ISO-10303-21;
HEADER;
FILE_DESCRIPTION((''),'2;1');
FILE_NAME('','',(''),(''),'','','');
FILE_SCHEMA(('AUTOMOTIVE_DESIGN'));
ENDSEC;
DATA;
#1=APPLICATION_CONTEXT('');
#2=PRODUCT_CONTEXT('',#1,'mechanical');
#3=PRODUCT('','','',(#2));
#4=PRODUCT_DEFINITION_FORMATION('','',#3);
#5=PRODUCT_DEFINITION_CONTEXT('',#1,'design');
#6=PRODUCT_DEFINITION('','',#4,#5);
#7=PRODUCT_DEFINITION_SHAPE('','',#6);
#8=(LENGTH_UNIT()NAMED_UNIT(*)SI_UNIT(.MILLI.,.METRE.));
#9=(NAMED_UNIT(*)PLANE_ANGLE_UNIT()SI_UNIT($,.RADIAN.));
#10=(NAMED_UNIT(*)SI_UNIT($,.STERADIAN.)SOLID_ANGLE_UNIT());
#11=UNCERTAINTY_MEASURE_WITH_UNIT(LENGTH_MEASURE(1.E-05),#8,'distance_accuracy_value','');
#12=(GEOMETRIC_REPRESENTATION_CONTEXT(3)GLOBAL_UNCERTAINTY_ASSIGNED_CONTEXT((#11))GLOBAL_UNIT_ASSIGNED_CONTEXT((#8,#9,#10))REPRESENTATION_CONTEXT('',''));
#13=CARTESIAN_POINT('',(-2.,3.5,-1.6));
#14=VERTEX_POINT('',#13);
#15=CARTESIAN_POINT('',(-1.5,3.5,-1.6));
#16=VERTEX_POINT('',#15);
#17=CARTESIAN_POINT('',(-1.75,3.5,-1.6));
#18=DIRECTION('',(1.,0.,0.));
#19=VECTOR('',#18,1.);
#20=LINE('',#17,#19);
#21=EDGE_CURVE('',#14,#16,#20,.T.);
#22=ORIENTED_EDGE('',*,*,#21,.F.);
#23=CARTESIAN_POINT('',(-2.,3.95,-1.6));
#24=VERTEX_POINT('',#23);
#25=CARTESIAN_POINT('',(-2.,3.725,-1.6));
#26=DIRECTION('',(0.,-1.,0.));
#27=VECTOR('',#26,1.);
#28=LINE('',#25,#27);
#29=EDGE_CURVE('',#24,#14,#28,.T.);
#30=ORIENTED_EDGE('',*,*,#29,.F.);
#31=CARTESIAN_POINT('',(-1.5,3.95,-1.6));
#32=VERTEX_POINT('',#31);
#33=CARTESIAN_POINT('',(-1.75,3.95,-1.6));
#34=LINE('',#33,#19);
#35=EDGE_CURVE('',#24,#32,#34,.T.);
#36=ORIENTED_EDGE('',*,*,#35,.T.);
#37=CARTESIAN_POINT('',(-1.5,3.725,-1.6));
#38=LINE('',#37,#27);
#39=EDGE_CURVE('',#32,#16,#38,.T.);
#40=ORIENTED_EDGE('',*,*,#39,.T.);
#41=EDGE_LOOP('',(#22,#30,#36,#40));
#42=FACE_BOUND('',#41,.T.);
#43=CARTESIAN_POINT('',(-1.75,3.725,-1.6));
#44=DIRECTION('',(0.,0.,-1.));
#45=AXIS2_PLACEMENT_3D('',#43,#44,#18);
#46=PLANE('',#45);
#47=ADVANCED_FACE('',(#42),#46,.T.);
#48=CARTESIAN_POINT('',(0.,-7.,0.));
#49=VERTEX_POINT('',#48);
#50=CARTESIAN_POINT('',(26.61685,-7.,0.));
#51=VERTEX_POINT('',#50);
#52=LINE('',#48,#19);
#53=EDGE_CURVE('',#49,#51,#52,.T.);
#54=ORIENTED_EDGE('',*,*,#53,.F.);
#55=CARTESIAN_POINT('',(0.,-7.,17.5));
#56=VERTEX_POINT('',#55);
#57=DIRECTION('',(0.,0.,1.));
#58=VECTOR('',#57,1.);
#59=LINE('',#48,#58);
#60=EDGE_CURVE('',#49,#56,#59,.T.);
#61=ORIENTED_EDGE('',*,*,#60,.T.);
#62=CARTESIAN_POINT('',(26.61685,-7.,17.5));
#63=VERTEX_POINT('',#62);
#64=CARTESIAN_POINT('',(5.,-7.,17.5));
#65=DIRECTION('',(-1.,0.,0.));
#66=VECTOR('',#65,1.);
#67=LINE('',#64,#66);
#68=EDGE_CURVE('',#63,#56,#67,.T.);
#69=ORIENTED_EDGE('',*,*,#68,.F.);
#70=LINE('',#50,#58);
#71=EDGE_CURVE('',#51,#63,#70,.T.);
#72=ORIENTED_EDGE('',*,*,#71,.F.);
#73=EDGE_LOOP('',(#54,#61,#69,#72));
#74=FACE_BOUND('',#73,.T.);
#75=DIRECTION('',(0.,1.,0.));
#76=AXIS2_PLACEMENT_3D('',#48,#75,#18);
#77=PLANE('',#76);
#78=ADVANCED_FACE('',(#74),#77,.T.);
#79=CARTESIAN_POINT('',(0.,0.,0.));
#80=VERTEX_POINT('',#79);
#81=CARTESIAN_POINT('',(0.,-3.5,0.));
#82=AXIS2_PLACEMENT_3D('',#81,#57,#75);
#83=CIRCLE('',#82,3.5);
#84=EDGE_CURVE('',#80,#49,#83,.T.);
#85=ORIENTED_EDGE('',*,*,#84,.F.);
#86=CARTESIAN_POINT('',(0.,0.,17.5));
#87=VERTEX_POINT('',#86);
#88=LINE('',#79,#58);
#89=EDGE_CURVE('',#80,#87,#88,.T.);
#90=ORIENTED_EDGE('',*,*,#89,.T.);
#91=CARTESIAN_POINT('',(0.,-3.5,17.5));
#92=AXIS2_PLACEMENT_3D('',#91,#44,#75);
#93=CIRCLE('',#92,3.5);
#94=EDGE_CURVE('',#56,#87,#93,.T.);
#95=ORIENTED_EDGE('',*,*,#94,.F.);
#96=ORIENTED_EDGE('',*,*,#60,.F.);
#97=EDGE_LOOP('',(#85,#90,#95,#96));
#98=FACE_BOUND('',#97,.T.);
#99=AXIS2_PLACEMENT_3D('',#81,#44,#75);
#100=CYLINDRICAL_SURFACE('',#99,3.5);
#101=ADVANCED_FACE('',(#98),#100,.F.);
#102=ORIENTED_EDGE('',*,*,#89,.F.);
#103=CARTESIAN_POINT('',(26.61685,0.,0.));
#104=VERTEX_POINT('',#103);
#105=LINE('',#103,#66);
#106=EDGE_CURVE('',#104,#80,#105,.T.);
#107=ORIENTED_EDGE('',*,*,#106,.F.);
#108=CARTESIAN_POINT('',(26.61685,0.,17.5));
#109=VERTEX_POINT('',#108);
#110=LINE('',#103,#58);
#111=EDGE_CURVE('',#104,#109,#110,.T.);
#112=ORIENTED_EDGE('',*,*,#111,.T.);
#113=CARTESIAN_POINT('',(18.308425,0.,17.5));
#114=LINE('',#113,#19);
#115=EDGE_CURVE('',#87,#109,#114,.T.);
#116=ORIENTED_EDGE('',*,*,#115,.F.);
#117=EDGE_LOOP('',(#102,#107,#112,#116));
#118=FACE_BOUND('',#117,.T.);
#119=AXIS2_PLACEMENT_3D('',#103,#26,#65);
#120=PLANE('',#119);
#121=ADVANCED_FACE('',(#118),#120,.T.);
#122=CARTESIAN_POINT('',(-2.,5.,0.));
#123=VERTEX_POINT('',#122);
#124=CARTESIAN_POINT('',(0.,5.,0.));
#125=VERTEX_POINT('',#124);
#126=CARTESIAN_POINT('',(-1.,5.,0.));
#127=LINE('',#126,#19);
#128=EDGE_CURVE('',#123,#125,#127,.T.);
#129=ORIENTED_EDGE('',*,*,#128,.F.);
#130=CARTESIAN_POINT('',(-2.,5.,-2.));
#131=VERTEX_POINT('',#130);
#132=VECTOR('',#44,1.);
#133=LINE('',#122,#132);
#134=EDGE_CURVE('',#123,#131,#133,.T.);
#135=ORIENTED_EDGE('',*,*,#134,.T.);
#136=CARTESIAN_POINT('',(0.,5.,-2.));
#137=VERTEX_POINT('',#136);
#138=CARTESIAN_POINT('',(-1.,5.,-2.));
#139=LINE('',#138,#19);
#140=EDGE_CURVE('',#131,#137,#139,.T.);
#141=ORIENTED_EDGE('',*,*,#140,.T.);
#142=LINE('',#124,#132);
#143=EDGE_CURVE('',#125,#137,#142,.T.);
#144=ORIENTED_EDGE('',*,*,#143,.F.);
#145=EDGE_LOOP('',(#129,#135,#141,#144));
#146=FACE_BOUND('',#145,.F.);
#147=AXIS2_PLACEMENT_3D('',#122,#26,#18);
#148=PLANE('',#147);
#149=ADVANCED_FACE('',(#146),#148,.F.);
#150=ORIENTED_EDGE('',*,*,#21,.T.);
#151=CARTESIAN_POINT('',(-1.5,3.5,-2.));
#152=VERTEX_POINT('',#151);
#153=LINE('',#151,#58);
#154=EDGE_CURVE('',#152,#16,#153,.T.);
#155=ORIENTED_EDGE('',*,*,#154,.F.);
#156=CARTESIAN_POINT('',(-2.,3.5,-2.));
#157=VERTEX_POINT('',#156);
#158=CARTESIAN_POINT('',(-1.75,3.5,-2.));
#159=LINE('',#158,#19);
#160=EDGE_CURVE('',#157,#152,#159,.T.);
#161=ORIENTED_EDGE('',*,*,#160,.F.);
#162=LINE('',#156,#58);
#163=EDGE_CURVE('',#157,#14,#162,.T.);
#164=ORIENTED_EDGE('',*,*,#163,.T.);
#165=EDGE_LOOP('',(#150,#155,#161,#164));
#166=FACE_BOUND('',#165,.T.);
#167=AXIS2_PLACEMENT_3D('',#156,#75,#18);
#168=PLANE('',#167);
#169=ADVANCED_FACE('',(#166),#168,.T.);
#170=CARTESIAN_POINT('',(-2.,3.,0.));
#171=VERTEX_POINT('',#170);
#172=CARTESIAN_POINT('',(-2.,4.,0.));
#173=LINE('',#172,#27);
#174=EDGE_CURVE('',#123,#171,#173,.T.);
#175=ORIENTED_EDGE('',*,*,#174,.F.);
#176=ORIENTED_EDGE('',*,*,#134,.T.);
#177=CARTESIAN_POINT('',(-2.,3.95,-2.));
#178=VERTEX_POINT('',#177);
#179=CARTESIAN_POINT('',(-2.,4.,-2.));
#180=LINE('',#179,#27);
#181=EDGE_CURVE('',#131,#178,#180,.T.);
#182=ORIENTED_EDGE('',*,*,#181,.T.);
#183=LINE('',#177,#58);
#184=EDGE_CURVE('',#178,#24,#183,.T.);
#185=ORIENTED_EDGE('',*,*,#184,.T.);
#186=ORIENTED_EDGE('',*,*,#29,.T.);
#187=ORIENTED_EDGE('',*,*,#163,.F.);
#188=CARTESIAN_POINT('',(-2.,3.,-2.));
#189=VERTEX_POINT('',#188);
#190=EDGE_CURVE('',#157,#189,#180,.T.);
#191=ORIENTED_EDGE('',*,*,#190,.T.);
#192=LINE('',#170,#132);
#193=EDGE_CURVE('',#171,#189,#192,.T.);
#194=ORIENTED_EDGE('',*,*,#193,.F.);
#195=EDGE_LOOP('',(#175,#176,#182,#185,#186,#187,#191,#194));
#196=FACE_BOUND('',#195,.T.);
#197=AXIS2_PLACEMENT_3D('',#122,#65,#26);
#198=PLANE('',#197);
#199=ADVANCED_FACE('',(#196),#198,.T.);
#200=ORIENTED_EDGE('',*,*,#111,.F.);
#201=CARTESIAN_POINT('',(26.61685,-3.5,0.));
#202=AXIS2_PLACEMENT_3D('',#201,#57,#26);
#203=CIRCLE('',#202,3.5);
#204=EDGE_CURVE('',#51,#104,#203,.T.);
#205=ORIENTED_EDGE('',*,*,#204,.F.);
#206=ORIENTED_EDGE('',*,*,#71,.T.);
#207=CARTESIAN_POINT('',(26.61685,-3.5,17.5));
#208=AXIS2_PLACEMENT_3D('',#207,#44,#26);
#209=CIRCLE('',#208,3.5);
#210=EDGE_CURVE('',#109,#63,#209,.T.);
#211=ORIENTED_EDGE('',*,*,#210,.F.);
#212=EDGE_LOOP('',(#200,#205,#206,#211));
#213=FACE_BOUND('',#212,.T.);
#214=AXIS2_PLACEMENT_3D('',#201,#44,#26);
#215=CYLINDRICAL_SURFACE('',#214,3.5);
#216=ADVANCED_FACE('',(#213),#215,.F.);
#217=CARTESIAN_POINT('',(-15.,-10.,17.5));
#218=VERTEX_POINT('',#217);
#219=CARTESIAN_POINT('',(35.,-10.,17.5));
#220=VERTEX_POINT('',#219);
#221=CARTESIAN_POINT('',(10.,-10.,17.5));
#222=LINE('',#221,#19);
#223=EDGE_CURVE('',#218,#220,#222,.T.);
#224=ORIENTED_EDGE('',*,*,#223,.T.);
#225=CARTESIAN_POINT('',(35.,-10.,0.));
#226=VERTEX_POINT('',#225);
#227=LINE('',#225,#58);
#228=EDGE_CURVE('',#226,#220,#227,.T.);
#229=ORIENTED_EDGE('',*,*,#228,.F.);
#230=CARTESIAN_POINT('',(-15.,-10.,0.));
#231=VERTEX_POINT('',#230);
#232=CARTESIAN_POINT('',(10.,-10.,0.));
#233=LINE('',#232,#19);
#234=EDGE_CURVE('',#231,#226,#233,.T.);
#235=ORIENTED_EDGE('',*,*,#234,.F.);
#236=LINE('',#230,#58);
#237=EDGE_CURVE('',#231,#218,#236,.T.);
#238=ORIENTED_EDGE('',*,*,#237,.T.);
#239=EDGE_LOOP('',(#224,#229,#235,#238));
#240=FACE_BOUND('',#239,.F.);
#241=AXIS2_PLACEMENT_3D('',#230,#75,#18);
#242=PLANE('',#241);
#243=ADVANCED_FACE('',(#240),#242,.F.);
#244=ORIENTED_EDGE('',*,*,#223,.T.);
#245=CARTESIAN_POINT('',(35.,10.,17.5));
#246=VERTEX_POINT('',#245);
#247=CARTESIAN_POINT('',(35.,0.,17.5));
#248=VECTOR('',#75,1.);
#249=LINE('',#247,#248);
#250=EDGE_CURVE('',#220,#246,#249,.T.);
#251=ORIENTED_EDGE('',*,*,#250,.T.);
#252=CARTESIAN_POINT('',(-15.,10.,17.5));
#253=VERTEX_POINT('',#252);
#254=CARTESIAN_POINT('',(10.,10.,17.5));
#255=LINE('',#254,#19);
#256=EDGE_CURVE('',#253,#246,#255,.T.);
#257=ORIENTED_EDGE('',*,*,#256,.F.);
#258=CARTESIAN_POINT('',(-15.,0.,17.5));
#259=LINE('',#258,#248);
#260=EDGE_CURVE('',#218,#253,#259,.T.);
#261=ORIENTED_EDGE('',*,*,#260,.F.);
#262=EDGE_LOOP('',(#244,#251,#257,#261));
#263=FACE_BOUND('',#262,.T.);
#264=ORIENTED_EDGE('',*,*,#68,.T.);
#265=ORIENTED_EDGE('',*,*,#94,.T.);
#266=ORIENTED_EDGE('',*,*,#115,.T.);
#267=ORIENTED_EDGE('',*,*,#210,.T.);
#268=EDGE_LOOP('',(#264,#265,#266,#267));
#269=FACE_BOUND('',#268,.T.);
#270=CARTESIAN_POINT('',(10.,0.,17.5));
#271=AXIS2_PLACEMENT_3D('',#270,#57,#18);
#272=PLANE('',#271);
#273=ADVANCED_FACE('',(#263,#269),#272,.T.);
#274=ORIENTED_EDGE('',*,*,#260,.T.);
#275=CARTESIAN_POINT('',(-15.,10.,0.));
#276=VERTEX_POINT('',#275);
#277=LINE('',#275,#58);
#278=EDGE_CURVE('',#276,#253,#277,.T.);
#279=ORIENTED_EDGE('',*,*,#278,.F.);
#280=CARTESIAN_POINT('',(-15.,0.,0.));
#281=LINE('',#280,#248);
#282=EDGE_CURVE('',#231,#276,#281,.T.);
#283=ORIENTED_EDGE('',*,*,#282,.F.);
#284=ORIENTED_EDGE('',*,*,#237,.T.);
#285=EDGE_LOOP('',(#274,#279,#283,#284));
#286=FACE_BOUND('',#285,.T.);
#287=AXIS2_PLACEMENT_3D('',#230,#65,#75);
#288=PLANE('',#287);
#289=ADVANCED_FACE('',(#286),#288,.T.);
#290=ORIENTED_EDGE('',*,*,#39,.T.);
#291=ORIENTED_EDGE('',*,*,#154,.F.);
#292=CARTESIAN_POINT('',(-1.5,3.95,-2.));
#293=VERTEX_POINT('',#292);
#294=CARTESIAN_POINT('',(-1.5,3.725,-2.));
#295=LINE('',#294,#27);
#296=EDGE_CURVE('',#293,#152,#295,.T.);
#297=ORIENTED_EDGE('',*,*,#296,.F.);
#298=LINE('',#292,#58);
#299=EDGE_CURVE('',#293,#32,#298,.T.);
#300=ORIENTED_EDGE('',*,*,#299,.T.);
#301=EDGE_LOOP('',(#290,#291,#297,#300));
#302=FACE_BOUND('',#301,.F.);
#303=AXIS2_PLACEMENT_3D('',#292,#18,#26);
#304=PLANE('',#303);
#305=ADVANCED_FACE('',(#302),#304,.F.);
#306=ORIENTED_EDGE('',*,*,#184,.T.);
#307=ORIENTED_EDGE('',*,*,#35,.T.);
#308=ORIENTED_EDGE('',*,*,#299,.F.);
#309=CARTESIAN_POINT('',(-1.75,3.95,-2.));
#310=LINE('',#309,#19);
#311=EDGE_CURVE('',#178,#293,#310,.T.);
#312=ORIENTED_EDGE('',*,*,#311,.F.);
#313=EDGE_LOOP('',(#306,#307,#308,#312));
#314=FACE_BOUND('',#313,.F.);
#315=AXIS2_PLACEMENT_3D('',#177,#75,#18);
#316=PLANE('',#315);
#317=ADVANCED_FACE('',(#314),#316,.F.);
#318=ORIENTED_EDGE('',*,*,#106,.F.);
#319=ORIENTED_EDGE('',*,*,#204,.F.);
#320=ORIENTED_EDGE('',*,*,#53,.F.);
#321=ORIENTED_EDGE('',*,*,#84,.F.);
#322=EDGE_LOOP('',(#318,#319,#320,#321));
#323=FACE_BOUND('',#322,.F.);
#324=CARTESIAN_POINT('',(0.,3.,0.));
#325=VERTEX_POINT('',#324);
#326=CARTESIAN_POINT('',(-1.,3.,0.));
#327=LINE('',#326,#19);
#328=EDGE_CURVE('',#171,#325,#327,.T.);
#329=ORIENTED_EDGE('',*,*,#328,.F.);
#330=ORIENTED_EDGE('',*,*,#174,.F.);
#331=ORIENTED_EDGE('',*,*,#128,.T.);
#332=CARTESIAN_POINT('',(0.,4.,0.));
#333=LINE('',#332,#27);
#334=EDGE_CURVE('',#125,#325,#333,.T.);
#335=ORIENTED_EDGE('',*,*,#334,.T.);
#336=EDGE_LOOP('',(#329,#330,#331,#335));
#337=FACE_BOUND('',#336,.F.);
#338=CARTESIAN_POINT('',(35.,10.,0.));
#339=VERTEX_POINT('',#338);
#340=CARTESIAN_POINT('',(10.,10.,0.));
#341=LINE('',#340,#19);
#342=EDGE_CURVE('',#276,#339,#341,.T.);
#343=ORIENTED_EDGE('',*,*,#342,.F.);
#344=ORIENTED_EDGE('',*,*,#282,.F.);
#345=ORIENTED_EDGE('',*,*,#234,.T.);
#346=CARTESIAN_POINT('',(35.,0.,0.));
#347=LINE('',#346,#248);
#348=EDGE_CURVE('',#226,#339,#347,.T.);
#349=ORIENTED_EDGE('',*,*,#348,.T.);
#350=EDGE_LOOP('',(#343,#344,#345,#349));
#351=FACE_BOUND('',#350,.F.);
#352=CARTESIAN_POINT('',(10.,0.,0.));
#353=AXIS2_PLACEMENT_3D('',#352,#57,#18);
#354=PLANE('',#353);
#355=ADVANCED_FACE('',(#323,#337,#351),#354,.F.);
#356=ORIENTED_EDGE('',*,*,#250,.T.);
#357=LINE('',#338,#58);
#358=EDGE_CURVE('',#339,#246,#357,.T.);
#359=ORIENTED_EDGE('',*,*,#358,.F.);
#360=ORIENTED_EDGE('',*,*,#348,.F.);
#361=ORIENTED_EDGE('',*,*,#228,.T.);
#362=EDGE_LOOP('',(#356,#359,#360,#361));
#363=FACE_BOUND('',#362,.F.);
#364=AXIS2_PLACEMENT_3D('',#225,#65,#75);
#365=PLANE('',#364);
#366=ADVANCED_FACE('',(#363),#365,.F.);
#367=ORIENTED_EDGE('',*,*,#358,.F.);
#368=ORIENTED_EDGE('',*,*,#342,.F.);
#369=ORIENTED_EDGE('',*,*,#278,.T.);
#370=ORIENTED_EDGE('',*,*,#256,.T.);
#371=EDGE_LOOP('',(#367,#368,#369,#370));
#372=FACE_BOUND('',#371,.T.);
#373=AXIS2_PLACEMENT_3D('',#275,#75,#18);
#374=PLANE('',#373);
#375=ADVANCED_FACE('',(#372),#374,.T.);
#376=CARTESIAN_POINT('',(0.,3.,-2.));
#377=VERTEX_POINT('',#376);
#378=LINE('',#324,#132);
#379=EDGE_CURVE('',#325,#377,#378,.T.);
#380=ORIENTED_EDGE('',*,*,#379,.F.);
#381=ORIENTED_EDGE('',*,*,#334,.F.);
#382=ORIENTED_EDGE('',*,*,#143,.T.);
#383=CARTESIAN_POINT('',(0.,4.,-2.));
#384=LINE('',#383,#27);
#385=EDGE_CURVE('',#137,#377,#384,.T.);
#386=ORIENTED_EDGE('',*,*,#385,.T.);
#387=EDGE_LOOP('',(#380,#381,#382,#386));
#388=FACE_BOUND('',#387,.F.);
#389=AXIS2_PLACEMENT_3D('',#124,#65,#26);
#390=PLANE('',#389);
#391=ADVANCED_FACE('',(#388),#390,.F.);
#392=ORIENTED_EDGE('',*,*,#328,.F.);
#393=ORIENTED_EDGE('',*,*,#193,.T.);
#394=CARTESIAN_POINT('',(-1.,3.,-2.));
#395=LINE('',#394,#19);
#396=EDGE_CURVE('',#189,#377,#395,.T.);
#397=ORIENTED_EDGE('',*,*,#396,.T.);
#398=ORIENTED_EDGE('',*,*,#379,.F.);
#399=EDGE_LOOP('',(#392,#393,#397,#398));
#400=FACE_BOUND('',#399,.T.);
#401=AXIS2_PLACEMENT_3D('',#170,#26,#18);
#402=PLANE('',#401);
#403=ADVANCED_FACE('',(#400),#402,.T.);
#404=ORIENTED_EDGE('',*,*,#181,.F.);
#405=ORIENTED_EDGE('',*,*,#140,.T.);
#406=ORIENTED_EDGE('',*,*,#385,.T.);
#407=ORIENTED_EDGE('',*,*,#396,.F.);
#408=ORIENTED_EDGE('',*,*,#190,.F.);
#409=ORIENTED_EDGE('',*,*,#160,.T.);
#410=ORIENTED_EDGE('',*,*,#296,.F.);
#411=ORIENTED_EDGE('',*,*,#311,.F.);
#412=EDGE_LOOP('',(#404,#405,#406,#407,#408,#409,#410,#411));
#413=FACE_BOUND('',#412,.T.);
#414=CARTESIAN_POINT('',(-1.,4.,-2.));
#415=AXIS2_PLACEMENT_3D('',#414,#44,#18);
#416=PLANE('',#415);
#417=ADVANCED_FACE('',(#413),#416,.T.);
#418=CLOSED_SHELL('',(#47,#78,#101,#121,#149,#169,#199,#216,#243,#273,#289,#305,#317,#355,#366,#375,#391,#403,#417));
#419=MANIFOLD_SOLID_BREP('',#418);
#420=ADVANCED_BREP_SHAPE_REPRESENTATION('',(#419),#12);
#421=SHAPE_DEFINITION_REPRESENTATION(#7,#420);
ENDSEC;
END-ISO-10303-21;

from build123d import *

# Parameters (mm, degrees)
F0_W     = 50
F0_H     = 20
F1_DEPTH = 17.5
F3_DEPTH = 50
F4_W     = 2
F4_H     = 2
F5_DEPTH = 2
F6_W     = 0.5
F6_H     = 0.45
F7_DEPTH = 0.4


with BuildPart() as f1:
    # F0 (on Top) → F1 (new body)
    with BuildSketch(Plane.XY):
        with Locations((10, 0)):
            Rectangle(F0_W, F0_H)
    extrude(amount=F1_DEPTH)

    # F2 (on Top) → F3 (cut)
    with BuildSketch(Plane.XY):
        with BuildLine():
            ThreePointArc((0, 0), (-3.5, -3.5), (0, -7))
            Line((0, -7), (26.61685, -7))
            ThreePointArc((26.61685, -7), (30.11685, -3.5), (26.61685, 0))
            Line((26.61685, 0), (0, 0))
        make_face()
    extrude(amount=F3_DEPTH, mode=Mode.SUBTRACT)

    # F4 (on face) → F5 (join)
    with BuildSketch(Plane(origin=(0, 0, 0), x_dir=(1, 0, 0), z_dir=(0, 0, -1))):
        with Locations((-1, -4)):
            Rectangle(F4_W, F4_H)
    extrude(amount=F5_DEPTH)

    # F6 (on face) → F7 (cut)
    with BuildSketch(Plane(origin=(0, 0, -2), x_dir=(1, 0, 0), z_dir=(0, 0, -1))):
        with Locations((-1.75, -3.725)):
            Rectangle(F6_W, F6_H)
    extrude(amount=-F7_DEPTH, mode=Mode.SUBTRACT)


solid = f1.part
